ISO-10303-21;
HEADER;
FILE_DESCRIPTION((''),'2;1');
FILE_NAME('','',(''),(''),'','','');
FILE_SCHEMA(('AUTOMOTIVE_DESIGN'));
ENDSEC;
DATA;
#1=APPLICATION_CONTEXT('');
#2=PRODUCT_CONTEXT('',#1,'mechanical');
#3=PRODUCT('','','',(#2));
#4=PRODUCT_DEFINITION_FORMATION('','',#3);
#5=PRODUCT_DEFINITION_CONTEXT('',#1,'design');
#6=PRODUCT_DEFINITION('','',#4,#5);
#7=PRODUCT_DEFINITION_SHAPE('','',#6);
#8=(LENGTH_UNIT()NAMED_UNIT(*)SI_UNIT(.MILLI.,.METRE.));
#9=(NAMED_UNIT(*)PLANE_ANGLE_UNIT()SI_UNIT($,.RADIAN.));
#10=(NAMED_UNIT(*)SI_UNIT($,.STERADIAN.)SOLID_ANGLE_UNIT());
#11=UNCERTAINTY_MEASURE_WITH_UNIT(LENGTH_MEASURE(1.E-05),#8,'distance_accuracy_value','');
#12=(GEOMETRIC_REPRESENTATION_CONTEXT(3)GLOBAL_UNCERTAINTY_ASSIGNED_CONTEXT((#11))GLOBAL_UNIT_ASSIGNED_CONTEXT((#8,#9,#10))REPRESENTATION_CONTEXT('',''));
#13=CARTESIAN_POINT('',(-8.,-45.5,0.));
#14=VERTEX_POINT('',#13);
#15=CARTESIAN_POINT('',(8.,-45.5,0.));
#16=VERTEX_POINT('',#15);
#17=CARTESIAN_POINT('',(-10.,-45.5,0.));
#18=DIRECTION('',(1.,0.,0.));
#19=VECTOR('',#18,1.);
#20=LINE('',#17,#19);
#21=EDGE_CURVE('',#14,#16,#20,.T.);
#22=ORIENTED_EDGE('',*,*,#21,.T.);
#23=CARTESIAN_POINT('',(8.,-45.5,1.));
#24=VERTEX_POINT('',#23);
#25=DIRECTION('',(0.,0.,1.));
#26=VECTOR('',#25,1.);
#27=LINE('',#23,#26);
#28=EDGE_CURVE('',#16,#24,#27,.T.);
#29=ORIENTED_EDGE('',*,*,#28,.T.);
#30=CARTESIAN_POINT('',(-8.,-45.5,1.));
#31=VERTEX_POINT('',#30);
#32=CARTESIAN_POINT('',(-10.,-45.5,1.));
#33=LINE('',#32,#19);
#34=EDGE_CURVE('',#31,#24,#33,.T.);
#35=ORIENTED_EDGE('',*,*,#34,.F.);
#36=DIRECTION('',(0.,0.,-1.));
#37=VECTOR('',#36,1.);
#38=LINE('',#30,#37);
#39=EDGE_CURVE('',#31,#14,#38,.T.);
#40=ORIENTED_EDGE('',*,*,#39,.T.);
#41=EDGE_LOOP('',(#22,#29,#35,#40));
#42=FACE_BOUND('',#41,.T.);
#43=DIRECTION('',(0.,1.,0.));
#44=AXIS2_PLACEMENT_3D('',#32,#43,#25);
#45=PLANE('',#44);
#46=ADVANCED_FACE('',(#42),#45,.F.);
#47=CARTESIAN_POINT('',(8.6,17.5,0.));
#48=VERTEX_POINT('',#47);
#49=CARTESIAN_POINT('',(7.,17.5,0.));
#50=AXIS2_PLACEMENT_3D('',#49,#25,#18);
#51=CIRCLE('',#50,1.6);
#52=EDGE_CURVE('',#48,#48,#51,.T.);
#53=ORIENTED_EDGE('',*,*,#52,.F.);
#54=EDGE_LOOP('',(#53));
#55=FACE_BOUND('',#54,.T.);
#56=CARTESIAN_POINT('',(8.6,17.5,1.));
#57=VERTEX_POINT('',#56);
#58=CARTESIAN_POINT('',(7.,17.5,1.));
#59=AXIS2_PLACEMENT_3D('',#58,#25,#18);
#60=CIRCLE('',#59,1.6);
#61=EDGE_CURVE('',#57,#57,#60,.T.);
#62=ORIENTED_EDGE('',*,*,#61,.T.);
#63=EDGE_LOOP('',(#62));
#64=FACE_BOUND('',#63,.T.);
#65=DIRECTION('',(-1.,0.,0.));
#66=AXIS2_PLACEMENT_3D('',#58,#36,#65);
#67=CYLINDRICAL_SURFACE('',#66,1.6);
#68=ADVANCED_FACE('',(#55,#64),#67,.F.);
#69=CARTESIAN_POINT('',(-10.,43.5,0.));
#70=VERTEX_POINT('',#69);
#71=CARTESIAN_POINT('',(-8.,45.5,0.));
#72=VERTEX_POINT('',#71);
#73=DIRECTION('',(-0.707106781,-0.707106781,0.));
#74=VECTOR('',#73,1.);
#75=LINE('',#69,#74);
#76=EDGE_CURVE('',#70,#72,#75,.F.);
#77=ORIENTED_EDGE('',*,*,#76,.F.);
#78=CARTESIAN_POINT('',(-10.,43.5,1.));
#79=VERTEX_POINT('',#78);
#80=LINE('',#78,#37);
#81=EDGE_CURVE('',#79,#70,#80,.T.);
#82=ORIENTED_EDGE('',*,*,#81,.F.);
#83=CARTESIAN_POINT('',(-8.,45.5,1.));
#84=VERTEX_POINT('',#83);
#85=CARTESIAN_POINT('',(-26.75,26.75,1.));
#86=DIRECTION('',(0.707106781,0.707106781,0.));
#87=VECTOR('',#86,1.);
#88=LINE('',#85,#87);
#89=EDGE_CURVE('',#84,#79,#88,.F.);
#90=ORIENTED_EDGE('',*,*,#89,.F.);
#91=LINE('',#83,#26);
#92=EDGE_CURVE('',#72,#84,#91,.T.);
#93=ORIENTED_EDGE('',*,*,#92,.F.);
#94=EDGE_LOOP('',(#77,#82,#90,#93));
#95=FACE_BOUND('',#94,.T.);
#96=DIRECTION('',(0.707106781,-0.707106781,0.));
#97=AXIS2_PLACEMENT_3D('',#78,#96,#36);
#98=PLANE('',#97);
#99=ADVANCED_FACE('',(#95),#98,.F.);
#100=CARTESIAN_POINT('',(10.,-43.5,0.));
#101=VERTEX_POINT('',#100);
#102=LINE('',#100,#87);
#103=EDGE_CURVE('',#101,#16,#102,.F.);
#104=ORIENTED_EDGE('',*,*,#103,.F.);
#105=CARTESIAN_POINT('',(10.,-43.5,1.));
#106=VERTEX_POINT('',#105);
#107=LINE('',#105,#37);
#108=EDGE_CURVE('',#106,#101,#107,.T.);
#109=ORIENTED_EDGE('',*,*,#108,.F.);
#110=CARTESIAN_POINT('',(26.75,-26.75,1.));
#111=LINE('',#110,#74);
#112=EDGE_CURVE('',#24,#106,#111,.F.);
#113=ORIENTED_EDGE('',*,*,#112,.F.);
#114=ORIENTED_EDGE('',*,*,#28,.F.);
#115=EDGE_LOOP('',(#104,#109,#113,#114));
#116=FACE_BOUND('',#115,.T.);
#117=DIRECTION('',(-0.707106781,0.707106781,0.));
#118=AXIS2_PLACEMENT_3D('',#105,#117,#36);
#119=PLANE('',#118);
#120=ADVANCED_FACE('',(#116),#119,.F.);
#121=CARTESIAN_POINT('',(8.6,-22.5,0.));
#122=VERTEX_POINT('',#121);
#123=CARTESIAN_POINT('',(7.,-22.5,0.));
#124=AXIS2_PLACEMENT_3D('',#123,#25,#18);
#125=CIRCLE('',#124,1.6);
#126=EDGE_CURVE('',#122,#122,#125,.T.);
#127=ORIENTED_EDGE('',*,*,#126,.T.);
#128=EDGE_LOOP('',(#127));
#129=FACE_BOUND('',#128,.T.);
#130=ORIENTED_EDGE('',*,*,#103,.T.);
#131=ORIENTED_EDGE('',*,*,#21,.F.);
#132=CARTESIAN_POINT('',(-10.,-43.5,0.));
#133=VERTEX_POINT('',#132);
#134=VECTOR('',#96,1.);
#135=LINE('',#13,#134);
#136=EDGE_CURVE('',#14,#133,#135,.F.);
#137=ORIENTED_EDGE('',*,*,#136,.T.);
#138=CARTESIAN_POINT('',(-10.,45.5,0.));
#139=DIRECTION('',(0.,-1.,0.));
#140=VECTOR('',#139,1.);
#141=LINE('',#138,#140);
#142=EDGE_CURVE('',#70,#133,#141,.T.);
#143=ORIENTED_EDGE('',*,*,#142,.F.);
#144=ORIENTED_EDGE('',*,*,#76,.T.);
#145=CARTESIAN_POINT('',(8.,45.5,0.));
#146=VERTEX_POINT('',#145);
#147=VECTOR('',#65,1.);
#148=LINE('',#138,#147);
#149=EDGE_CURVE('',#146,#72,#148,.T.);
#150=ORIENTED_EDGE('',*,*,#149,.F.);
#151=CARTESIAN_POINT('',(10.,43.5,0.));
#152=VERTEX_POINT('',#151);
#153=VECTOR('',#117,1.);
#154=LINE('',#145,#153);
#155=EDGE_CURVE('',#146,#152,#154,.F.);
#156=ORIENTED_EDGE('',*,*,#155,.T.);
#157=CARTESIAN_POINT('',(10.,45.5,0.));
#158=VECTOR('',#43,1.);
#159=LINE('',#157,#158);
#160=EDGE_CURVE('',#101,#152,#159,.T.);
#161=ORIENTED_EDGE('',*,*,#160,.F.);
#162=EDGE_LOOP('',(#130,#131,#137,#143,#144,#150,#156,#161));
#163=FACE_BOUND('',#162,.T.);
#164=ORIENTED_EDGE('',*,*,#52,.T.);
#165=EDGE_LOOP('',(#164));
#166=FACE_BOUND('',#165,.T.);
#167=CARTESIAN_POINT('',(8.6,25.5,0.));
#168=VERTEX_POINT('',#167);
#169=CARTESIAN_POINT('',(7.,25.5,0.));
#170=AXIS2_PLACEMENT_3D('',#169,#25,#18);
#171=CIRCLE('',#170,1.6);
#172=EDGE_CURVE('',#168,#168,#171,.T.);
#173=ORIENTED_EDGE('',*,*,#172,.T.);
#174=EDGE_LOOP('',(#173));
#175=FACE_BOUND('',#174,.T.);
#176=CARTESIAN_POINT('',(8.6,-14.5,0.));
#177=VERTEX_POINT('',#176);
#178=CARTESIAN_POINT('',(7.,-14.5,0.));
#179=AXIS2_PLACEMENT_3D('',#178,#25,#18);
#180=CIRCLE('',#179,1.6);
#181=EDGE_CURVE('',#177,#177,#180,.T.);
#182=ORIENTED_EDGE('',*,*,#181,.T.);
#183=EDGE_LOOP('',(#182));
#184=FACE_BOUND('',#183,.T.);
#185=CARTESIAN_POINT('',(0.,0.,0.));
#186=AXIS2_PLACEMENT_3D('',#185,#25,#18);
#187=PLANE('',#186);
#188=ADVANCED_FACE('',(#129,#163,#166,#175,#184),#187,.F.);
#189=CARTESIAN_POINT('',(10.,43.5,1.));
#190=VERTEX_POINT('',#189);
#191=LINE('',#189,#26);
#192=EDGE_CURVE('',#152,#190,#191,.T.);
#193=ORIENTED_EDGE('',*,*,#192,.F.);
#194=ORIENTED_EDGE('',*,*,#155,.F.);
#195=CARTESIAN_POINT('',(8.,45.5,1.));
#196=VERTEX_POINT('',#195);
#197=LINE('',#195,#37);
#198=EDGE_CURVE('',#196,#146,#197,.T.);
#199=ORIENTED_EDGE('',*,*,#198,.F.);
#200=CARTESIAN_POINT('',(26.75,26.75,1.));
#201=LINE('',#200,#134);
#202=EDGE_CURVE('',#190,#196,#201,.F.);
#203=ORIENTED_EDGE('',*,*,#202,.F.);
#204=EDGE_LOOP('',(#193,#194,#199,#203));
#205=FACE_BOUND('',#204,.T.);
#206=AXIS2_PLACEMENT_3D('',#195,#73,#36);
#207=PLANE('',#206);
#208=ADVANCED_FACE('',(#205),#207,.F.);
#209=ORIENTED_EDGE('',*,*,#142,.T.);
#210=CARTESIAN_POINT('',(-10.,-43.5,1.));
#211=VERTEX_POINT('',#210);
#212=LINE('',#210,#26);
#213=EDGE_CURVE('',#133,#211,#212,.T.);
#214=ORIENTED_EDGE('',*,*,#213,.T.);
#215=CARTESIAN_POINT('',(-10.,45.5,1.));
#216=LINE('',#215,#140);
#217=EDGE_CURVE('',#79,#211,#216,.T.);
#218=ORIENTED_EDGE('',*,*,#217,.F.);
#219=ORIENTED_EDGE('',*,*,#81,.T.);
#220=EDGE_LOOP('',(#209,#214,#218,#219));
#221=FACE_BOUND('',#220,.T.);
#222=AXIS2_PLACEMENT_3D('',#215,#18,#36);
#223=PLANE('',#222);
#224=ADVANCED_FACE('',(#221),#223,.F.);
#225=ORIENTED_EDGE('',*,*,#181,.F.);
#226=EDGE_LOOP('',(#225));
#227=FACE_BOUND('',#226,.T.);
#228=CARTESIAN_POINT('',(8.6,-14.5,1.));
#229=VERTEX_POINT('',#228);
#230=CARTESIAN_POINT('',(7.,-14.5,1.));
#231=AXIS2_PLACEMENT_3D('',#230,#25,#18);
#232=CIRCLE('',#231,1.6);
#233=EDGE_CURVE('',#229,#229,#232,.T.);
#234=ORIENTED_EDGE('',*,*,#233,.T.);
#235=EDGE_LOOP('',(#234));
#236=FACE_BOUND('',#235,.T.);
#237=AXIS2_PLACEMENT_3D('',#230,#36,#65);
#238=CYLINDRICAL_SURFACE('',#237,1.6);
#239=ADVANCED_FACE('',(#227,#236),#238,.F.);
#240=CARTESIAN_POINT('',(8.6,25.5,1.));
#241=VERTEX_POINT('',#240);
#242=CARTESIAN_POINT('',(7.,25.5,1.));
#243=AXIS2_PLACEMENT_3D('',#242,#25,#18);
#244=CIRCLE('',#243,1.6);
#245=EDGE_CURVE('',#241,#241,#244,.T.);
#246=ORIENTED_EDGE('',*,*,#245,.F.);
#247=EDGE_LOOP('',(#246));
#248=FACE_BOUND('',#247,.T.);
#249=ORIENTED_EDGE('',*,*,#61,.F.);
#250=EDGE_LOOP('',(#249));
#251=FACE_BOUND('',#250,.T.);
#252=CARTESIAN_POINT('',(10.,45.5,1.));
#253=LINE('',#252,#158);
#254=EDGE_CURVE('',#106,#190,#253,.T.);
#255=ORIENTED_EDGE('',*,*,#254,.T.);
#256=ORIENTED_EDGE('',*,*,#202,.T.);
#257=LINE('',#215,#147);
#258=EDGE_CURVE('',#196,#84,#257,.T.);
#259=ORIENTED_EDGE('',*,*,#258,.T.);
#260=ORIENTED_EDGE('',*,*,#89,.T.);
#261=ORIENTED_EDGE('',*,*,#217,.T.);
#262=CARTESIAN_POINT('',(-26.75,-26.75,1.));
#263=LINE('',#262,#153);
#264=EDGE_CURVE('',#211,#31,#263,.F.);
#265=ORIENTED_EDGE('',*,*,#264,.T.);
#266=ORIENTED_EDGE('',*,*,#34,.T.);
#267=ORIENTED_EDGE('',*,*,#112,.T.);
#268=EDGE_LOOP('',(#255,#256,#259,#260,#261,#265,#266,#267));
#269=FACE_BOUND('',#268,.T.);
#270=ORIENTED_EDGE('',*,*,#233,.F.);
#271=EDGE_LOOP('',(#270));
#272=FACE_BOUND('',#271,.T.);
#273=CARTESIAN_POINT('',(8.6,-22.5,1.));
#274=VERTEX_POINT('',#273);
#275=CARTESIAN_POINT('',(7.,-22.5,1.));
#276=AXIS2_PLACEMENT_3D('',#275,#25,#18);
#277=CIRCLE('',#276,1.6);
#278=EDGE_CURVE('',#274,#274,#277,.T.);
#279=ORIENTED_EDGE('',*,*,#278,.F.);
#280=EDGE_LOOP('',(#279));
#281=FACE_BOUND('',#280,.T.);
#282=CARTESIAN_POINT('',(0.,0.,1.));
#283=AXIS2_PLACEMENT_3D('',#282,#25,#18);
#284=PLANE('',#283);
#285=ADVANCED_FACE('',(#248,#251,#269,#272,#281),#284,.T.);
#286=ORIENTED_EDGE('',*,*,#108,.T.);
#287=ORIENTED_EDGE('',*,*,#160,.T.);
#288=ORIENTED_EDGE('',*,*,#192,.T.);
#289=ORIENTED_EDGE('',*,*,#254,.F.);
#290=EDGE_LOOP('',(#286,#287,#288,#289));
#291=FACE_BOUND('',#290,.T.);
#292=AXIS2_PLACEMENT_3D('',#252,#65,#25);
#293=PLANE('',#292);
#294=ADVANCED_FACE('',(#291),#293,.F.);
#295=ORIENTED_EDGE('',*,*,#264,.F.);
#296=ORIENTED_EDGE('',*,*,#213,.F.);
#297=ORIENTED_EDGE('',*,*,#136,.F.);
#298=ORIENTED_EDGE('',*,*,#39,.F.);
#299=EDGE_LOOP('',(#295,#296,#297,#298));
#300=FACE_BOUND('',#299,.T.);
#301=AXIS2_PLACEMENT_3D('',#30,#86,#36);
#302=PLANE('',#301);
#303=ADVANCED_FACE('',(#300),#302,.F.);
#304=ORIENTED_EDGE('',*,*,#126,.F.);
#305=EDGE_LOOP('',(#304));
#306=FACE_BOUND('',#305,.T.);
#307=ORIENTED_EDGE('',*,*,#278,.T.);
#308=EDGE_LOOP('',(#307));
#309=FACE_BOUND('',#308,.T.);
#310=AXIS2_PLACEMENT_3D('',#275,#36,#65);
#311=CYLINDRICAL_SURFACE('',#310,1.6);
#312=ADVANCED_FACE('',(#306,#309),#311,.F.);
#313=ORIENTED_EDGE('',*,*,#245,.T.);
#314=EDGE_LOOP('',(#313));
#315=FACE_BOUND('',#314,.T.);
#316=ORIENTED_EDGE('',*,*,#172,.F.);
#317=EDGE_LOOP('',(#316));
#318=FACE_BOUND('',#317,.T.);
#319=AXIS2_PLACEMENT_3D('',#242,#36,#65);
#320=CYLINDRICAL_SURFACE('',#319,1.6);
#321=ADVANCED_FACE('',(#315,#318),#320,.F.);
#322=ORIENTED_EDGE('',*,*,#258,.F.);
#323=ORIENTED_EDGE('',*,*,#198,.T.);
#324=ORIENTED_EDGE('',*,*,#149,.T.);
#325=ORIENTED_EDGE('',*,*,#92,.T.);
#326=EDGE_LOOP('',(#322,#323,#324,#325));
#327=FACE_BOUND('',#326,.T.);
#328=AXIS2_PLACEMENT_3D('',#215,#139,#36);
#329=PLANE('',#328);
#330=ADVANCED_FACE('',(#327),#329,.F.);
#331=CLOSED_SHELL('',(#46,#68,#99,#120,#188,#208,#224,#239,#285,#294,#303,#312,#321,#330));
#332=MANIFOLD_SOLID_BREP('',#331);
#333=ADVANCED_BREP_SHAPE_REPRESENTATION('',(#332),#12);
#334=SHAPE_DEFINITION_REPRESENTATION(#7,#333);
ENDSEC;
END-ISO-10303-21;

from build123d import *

# Parameters (mm, degrees)
SKETCH_1_W      = 20
SKETCH_1_H      = 91
SKETCH_1_R      = 1.6
EXTRUDE_1_DEPTH = 1
CHAMFER_1_SIZE  = 2


with BuildPart() as part:
    # 草图1 → 凸台-拉伸1 (new body)
    with BuildSketch(Plane.XY):
        Rectangle(SKETCH_1_W, SKETCH_1_H)
        with Locations((7, 25.5)):
            Circle(SKETCH_1_R, mode=Mode.SUBTRACT)
        with Locations((7, 17.5)):
            Circle(SKETCH_1_R, mode=Mode.SUBTRACT)
        with Locations((7, -14.5)):
            Circle(SKETCH_1_R, mode=Mode.SUBTRACT)
        with Locations((7, -22.5)):
            Circle(SKETCH_1_R, mode=Mode.SUBTRACT)
    extrude(amount=EXTRUDE_1_DEPTH)

    # 倒角1
    chamfer_1_edges = [part.edges().sort_by_distance(p)[0] for p in [
        (10, -45.5, 0.5),
        (-10, -45.5, 0.5),
        (-10, 45.5, 0.5),
        (10, 45.5, 0.5),
    ]]
    chamfer(chamfer_1_edges, length=CHAMFER_1_SIZE)


solid = part.part
